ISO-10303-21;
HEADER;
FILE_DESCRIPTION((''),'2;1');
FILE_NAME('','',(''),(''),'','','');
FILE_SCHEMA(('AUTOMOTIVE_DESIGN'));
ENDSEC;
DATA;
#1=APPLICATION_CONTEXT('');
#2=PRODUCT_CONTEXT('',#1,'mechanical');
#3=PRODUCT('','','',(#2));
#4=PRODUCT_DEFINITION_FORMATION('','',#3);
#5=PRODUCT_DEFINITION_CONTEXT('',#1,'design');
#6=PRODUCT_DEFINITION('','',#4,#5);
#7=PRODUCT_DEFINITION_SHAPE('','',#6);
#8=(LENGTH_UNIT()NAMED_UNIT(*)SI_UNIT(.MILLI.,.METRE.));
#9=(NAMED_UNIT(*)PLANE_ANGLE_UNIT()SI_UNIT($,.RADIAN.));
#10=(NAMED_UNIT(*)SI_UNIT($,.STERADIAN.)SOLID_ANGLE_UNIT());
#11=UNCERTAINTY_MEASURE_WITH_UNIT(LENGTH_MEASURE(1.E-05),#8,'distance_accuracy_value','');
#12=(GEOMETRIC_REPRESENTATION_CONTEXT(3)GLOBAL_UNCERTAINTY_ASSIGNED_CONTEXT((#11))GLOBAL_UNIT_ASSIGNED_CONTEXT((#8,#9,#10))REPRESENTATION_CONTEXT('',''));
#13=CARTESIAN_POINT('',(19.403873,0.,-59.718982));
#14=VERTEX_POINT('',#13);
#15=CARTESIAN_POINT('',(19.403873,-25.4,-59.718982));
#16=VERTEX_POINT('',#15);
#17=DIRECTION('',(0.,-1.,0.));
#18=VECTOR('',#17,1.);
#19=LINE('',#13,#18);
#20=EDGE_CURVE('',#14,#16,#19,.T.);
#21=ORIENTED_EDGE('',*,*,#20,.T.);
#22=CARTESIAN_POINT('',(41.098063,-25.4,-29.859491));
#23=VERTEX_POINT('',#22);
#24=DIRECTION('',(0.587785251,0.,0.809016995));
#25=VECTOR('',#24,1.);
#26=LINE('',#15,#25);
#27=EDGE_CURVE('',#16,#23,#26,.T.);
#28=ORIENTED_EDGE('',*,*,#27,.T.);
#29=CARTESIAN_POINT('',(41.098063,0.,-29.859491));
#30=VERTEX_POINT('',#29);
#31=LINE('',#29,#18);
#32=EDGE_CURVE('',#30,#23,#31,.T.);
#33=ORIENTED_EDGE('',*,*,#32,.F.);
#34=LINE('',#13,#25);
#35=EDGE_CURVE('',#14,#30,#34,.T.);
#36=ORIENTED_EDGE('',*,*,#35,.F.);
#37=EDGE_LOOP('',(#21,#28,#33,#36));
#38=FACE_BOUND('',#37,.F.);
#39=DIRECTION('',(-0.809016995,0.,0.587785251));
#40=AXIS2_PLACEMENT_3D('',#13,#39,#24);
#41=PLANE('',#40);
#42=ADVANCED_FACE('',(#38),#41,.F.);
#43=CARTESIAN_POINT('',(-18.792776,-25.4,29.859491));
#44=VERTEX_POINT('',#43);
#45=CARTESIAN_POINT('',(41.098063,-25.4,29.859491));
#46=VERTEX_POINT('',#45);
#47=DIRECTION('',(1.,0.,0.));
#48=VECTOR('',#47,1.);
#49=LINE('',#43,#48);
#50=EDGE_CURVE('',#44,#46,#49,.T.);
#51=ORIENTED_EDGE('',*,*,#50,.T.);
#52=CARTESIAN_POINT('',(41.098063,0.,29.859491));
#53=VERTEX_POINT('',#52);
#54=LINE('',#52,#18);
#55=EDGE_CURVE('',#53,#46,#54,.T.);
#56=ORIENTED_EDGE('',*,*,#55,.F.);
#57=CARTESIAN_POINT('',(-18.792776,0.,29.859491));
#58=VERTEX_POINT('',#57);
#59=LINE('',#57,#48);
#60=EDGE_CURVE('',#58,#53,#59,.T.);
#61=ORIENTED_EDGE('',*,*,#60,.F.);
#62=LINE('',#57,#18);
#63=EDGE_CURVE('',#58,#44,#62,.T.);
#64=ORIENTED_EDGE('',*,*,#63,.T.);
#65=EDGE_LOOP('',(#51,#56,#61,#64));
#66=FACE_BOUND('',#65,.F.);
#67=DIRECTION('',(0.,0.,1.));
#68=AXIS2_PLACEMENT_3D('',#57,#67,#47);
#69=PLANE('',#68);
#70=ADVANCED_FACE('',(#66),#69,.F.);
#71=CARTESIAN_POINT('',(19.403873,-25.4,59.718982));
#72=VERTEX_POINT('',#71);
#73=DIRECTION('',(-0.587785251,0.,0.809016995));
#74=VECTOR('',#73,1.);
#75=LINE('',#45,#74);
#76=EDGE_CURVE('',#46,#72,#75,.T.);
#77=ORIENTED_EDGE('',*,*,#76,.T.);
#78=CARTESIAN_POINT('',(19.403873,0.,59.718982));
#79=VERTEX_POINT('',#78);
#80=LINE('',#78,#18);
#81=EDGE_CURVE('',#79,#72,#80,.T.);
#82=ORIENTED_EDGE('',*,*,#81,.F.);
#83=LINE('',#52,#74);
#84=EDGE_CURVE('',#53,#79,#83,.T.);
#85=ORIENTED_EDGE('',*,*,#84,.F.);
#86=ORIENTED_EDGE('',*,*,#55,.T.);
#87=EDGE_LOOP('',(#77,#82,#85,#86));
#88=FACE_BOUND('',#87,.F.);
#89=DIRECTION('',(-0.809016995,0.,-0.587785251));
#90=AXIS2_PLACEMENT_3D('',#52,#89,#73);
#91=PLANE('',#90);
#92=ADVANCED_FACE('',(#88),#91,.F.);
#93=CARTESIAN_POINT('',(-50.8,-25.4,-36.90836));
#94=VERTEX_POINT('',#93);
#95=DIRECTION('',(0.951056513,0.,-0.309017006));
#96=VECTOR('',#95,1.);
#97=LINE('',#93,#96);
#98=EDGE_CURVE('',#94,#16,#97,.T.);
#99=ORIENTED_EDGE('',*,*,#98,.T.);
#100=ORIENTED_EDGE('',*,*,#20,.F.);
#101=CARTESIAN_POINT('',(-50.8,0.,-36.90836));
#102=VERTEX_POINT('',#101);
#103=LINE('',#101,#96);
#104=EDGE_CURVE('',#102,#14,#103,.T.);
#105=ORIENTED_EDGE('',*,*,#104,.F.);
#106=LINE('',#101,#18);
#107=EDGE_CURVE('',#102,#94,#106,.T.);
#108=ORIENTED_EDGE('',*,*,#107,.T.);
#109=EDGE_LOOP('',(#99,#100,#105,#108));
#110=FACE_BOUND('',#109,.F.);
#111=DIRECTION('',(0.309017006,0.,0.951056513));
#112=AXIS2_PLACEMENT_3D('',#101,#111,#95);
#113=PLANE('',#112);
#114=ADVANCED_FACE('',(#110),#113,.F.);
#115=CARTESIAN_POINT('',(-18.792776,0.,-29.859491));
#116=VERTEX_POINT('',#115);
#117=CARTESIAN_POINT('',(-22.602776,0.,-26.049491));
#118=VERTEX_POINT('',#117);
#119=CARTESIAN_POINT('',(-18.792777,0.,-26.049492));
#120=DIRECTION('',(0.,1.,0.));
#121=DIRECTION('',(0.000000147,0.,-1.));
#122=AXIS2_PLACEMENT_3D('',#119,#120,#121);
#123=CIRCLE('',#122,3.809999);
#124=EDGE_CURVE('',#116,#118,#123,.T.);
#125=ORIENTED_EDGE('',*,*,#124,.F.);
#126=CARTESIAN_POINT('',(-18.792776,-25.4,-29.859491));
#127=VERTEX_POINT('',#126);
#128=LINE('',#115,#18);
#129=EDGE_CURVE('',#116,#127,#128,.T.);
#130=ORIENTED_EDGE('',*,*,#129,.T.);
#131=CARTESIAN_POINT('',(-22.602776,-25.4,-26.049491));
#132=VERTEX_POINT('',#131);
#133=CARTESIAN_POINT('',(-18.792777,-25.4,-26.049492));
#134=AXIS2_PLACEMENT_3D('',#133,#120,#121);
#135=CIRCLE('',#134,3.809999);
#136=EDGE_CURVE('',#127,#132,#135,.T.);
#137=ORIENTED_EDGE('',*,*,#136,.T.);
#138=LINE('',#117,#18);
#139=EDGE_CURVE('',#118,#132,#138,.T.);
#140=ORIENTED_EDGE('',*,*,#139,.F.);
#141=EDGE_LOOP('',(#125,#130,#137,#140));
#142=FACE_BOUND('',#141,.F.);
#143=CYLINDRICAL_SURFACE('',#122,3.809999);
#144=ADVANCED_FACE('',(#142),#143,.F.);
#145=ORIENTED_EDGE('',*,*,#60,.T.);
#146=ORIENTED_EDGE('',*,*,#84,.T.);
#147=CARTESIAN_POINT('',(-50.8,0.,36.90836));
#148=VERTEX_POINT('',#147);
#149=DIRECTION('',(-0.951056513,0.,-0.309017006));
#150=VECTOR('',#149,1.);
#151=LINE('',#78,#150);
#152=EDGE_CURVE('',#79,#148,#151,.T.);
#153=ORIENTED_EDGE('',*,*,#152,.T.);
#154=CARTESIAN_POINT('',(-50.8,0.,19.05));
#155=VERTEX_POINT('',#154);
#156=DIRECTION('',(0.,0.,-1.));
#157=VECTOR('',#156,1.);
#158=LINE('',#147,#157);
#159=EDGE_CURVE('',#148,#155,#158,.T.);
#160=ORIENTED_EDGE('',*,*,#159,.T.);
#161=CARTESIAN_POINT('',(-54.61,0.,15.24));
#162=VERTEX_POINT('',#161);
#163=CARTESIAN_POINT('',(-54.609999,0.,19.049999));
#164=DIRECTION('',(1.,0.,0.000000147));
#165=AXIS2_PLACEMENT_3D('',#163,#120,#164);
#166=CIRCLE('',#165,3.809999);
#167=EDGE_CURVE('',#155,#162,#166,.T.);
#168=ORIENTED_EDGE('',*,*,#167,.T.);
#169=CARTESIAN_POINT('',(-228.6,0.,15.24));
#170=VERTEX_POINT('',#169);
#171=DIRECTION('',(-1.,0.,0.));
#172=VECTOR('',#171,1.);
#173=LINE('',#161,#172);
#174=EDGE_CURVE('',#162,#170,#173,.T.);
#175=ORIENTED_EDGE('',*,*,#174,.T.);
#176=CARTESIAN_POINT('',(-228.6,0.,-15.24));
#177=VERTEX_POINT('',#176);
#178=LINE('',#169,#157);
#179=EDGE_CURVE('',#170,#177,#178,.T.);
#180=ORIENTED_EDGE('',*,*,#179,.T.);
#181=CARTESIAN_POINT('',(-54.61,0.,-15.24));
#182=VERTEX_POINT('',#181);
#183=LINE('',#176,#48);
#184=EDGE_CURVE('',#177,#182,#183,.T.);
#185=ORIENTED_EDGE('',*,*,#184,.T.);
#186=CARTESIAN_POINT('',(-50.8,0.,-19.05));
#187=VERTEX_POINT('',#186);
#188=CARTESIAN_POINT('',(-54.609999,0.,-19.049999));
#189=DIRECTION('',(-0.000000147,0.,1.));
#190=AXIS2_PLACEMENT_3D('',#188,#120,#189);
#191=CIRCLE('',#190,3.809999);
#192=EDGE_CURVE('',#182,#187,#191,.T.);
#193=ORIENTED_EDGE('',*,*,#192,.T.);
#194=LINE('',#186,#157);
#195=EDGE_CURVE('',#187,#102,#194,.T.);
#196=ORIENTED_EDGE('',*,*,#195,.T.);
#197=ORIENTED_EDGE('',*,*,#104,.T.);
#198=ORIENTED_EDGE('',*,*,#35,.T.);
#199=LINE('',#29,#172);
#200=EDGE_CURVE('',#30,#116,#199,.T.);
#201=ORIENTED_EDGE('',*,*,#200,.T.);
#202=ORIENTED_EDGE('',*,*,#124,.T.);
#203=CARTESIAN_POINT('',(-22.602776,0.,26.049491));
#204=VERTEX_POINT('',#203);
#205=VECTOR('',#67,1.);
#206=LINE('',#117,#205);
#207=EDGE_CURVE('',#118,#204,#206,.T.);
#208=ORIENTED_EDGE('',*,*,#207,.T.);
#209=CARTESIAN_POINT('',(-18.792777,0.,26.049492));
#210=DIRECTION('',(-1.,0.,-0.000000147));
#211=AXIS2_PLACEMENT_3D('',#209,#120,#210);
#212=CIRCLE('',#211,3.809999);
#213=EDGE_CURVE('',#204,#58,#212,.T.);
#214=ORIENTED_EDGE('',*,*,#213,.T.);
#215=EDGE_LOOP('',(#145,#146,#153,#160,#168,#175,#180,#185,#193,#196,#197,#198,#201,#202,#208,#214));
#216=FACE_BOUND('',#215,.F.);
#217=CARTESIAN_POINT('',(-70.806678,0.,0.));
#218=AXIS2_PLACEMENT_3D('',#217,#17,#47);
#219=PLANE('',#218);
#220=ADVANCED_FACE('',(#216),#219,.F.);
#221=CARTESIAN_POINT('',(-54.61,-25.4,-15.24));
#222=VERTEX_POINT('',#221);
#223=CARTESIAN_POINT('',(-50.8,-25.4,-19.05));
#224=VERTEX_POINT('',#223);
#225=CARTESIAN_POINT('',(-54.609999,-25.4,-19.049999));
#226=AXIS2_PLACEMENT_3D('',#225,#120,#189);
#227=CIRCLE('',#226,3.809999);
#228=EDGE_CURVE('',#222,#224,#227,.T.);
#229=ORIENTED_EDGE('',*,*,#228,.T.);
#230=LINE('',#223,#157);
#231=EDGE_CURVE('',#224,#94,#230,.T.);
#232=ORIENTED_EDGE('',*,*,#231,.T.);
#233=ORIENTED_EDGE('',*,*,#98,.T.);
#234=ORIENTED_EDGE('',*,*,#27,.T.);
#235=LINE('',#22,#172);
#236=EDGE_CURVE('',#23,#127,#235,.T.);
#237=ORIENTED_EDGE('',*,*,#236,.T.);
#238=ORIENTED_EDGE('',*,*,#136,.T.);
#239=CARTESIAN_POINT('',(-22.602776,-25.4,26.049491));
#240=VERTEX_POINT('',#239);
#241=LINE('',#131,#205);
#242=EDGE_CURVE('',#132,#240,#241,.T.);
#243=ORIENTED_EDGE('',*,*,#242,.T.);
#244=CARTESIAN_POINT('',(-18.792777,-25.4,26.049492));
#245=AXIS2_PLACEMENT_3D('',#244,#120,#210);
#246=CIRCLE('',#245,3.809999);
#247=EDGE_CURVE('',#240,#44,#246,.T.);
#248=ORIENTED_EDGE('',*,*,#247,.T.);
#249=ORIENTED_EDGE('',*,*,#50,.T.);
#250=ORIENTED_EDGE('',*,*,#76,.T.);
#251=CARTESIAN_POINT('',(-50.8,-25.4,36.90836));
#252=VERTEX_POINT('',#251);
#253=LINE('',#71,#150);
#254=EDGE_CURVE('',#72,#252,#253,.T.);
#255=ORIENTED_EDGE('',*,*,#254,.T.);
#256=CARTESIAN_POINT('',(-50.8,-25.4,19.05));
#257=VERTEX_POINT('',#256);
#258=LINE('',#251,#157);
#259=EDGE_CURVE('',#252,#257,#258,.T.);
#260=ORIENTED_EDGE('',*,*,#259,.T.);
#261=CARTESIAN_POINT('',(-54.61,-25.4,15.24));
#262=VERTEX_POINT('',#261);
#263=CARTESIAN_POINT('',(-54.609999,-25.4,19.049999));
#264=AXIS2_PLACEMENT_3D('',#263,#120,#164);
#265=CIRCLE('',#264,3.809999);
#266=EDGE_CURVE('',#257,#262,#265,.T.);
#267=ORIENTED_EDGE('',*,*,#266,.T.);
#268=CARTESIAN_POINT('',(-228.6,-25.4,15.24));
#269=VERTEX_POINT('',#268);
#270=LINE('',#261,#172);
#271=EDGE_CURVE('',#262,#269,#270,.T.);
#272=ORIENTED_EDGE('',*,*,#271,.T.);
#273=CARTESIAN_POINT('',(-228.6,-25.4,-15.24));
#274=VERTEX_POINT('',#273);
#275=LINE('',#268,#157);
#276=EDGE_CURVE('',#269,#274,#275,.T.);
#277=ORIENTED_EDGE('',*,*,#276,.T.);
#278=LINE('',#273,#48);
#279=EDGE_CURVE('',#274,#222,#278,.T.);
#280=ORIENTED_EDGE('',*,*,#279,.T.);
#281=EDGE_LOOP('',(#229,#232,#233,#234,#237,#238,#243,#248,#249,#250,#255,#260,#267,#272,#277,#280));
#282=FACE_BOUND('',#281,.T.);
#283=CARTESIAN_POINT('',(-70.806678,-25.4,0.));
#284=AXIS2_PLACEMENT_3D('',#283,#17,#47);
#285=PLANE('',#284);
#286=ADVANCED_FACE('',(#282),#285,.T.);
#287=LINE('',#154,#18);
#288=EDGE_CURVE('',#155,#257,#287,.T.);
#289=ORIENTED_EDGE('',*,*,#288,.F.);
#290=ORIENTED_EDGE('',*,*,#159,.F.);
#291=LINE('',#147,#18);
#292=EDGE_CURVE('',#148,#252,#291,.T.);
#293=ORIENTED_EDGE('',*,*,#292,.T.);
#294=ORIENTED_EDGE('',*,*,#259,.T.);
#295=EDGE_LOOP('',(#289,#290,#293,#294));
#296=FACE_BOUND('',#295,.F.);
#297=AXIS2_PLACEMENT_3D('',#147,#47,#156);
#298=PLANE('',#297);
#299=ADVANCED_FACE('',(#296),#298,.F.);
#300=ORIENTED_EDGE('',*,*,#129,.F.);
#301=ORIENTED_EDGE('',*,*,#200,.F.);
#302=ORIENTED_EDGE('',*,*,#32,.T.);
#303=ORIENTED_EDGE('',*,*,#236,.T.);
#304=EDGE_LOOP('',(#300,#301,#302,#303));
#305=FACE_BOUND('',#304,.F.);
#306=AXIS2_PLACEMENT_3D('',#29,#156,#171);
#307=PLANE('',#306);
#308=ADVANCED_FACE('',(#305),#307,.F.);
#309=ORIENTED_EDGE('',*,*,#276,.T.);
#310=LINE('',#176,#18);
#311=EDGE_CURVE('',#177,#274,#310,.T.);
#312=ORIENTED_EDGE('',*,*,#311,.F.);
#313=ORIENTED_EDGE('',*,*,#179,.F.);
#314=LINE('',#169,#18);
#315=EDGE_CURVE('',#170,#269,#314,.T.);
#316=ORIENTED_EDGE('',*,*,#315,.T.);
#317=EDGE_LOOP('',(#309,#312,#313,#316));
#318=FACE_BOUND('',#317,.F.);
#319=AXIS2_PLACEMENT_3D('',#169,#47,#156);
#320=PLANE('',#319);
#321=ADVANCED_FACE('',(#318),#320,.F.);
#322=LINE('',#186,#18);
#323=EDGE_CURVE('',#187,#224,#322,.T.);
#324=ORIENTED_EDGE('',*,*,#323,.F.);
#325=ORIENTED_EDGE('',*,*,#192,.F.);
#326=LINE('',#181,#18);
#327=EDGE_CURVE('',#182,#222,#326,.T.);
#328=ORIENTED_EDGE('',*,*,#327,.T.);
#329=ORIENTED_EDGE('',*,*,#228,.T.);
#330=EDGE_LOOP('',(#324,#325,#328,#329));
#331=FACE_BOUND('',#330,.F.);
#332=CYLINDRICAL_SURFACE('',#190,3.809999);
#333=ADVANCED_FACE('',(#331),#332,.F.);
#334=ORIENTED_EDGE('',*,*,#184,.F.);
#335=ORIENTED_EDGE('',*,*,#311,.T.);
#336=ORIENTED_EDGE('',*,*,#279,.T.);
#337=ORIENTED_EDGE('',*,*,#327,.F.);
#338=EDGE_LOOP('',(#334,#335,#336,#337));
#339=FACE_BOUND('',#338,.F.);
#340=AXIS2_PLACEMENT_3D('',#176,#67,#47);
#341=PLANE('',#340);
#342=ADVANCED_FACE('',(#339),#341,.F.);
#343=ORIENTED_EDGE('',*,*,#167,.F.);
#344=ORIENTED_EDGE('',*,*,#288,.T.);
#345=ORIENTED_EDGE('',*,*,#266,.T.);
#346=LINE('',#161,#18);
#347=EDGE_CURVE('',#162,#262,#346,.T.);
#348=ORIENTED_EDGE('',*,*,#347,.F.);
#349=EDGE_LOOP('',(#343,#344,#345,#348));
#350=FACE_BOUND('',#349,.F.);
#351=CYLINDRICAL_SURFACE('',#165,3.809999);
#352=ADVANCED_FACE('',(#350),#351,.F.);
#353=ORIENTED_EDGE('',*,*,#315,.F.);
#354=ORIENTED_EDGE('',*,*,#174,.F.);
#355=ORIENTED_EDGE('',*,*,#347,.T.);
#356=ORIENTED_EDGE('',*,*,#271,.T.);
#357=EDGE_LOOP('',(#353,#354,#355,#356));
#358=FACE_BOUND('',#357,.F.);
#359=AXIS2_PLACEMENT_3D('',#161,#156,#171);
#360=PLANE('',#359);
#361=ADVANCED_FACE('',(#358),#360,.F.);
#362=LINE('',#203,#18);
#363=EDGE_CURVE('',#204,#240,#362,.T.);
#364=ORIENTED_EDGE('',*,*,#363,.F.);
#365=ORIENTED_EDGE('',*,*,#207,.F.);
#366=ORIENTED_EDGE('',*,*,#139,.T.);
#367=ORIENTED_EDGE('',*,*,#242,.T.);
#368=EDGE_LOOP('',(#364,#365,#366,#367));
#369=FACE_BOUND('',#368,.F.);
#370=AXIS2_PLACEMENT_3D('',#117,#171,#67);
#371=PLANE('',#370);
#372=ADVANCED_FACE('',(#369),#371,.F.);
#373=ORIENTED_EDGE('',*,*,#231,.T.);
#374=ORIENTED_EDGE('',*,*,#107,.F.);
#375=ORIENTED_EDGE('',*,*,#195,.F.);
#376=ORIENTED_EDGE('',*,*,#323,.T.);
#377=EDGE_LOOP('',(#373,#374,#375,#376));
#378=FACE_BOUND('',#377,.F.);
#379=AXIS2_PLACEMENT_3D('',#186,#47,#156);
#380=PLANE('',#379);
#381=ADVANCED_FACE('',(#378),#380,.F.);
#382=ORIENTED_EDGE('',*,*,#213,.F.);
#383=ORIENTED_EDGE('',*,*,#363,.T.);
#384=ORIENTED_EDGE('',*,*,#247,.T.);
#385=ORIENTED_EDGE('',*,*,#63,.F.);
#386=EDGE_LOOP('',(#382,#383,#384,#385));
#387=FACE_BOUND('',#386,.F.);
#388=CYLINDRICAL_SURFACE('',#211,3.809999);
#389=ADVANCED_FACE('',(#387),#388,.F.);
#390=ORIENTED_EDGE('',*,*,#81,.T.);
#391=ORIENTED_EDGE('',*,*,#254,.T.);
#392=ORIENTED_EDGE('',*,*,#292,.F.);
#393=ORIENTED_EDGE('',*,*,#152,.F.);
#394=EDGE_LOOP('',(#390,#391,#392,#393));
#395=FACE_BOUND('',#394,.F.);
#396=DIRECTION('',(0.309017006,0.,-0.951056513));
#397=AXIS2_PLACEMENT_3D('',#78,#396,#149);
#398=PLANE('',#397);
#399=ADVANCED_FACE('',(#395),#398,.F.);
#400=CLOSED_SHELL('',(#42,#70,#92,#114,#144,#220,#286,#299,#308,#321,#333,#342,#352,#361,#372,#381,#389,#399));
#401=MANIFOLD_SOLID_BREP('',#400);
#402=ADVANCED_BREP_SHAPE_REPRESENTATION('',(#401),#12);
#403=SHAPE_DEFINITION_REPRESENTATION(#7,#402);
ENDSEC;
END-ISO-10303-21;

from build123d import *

# Parameters (mm, degrees)
F1_DEPTH = 25.4


with BuildPart() as f1:
    # F0 (on Front) → F1 (new body)
    with BuildSketch(Plane.XZ):
        with BuildLine():
            Line((-50.8, 36.90836), (-50.8, 19.05))
            ThreePointArc((-50.8, 19.05), (-51.915923, 16.355923), (-54.61, 15.24))
            Line((-54.61, 15.24), (-228.6, 15.24))
            Line((-228.6, 15.24), (-228.6, -15.24))
            Line((-228.6, -15.24), (-54.61, -15.24))
            ThreePointArc((-54.61, -15.24), (-51.915923, -16.355923), (-50.8, -19.05))
            Line((-50.8, -19.05), (-50.8, -36.90836))
            Line((-50.8, -36.90836), (19.403873, -59.718982))
            Line((19.403873, -59.718982), (41.098063, -29.859491))
            Line((41.098063, -29.859491), (-18.792776, -29.859491))
            ThreePointArc((-18.792776, -29.859491), (-21.486853, -28.743568), (-22.602776, -26.049491))
            Line((-22.602776, -26.049491), (-22.602776, 26.049491))
            ThreePointArc((-22.602776, 26.049491), (-21.486853, 28.743568), (-18.792776, 29.859491))
            Line((-18.792776, 29.859491), (41.098063, 29.859491))
            Line((41.098063, 29.859491), (19.403873, 59.718982))
            Line((19.403873, 59.718982), (-50.8, 36.90836))
        make_face()
    extrude(amount=F1_DEPTH)


solid = f1.part
